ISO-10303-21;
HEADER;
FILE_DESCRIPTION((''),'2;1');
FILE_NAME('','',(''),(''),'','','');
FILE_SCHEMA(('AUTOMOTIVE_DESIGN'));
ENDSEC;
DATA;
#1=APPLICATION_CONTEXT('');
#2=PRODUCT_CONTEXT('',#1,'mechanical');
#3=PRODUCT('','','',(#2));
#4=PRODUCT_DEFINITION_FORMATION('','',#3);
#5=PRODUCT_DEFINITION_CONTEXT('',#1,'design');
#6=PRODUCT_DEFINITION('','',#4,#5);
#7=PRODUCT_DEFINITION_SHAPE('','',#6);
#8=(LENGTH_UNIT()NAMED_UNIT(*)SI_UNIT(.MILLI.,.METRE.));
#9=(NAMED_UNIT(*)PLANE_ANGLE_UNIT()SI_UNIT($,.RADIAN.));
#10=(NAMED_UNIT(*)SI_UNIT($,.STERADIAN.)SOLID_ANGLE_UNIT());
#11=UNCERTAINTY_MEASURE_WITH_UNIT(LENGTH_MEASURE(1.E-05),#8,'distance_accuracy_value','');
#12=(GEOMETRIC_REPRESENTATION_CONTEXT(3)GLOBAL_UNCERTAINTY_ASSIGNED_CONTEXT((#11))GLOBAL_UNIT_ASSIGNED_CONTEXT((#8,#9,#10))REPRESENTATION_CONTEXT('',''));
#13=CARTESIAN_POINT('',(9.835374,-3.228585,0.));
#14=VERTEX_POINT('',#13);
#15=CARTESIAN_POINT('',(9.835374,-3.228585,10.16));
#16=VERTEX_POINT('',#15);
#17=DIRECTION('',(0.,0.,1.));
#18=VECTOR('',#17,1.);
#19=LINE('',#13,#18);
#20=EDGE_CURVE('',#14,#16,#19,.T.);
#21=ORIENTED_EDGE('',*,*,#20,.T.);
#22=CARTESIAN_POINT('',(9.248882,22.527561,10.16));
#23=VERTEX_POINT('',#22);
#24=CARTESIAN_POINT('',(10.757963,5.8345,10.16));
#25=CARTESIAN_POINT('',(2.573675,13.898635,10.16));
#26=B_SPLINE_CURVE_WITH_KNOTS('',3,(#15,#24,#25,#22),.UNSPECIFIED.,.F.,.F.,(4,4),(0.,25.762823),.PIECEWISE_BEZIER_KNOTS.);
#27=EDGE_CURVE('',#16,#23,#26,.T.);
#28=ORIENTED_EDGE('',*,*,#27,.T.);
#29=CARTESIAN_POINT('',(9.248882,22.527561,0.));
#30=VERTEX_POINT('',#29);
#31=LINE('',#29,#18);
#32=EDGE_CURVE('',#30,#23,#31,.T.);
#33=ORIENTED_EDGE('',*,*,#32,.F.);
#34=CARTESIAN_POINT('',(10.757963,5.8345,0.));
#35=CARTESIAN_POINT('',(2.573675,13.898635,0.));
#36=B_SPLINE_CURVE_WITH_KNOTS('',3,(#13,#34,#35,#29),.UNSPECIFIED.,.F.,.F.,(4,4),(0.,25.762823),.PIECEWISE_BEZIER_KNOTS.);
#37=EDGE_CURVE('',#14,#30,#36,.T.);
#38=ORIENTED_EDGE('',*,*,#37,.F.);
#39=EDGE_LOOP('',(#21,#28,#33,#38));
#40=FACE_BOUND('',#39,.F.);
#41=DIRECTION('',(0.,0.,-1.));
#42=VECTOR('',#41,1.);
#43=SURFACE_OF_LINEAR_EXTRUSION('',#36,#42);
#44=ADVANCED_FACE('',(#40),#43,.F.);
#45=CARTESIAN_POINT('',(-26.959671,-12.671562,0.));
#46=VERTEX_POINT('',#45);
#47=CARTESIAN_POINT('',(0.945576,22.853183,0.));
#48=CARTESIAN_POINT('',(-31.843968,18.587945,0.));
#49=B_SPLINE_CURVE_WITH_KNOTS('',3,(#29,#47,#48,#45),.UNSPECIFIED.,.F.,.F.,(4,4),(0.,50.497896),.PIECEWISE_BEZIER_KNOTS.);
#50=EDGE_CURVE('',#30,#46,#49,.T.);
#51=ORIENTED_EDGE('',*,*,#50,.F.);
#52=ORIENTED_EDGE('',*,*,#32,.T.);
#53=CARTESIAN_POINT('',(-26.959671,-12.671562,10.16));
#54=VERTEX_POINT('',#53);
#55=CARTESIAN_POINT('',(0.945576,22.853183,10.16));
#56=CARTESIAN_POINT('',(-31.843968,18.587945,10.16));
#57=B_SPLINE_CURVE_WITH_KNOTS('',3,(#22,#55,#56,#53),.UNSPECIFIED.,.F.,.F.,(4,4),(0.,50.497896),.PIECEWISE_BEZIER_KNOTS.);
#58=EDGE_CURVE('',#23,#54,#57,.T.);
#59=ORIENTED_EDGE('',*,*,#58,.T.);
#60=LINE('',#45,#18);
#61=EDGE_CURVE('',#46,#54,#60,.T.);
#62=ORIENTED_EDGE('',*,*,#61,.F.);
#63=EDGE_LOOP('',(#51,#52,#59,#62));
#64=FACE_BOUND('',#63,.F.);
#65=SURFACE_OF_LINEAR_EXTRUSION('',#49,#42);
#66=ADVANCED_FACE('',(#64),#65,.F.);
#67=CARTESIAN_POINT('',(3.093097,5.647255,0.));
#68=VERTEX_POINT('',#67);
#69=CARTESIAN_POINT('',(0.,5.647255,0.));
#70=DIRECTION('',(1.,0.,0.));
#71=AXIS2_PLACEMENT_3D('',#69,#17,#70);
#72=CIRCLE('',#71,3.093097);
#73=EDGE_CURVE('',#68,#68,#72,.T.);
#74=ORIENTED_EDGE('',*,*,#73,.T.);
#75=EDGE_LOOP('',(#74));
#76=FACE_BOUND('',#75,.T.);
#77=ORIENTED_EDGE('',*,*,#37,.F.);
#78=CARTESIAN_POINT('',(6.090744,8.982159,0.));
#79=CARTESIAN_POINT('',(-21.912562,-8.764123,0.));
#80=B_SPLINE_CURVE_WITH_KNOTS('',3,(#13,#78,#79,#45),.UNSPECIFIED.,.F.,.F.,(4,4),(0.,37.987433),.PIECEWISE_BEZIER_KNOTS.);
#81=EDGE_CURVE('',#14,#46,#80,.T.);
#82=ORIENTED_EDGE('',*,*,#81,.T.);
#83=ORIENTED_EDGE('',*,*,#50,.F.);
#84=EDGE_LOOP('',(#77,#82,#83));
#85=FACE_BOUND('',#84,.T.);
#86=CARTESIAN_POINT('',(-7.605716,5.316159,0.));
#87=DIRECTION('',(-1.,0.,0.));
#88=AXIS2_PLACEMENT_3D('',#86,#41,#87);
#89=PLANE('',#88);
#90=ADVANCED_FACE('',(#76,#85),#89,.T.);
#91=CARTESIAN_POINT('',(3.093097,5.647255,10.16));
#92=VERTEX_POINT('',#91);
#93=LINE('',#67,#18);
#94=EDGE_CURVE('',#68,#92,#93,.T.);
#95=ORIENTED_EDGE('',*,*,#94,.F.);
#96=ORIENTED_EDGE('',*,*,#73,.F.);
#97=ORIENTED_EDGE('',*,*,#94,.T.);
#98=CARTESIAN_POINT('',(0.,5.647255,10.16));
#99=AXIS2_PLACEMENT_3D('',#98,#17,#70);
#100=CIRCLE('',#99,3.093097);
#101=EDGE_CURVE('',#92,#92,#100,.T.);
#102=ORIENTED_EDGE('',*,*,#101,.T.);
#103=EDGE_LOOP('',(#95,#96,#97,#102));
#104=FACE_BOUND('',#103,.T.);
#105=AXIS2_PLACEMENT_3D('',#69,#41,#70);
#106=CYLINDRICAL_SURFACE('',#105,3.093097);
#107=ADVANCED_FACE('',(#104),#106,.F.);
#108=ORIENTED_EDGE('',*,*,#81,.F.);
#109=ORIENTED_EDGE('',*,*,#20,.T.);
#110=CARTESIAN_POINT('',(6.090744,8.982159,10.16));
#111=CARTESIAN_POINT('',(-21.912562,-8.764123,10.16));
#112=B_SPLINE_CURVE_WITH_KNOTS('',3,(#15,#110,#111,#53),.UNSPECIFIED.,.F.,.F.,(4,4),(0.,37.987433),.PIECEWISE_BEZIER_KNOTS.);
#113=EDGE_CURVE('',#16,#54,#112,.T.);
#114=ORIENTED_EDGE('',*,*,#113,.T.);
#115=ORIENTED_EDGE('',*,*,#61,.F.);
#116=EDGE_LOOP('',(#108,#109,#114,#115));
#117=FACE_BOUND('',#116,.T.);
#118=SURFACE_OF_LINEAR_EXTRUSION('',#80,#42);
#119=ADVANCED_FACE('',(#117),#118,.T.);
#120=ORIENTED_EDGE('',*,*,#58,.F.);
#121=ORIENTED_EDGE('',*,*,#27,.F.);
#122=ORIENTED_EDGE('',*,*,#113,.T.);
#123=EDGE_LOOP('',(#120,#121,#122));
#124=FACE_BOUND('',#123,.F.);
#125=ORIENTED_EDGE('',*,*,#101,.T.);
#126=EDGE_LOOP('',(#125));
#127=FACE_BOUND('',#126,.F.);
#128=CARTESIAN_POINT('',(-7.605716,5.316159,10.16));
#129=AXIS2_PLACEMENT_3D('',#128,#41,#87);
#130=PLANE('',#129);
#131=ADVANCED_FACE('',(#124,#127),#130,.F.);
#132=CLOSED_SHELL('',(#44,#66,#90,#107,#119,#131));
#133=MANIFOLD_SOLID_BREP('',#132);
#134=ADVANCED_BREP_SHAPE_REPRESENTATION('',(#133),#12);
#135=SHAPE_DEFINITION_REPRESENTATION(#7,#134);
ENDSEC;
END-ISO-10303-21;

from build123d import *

# Parameters (mm, degrees)
F0_R     = 3.093097
F1_DEPTH = 10.16


with BuildPart() as f1:
    # F0 (on Top) → F1 (new body)
    with BuildSketch(Plane.XY):
        with BuildLine():
            add(Edge.make_bspline(
                [(9.835374, -3.228585), (6.090744, 8.982159), (-21.912562, -8.764123), (-26.959671, -12.671562)],
                knots=[0, 0, 0, 0, 37.987433, 37.987433, 37.987433, 37.987433], degree=3))
            add(Edge.make_bspline(
                [(9.835374, -3.228585), (10.757963, 5.8345), (2.573675, 13.898635), (9.248882, 22.527561)],
                knots=[0, 0, 0, 0, 25.762823, 25.762823, 25.762823, 25.762823], degree=3))
            add(Edge.make_bspline(
                [(9.248882, 22.527561), (0.945576, 22.853183), (-31.843968, 18.587945), (-26.959671, -12.671562)],
                knots=[0, 0, 0, 0, 50.497896, 50.497896, 50.497896, 50.497896], degree=3))
        make_face()
        with Locations((0, 5.647255)):
            Circle(F0_R, mode=Mode.SUBTRACT)
    extrude(amount=F1_DEPTH)


solid = f1.part
